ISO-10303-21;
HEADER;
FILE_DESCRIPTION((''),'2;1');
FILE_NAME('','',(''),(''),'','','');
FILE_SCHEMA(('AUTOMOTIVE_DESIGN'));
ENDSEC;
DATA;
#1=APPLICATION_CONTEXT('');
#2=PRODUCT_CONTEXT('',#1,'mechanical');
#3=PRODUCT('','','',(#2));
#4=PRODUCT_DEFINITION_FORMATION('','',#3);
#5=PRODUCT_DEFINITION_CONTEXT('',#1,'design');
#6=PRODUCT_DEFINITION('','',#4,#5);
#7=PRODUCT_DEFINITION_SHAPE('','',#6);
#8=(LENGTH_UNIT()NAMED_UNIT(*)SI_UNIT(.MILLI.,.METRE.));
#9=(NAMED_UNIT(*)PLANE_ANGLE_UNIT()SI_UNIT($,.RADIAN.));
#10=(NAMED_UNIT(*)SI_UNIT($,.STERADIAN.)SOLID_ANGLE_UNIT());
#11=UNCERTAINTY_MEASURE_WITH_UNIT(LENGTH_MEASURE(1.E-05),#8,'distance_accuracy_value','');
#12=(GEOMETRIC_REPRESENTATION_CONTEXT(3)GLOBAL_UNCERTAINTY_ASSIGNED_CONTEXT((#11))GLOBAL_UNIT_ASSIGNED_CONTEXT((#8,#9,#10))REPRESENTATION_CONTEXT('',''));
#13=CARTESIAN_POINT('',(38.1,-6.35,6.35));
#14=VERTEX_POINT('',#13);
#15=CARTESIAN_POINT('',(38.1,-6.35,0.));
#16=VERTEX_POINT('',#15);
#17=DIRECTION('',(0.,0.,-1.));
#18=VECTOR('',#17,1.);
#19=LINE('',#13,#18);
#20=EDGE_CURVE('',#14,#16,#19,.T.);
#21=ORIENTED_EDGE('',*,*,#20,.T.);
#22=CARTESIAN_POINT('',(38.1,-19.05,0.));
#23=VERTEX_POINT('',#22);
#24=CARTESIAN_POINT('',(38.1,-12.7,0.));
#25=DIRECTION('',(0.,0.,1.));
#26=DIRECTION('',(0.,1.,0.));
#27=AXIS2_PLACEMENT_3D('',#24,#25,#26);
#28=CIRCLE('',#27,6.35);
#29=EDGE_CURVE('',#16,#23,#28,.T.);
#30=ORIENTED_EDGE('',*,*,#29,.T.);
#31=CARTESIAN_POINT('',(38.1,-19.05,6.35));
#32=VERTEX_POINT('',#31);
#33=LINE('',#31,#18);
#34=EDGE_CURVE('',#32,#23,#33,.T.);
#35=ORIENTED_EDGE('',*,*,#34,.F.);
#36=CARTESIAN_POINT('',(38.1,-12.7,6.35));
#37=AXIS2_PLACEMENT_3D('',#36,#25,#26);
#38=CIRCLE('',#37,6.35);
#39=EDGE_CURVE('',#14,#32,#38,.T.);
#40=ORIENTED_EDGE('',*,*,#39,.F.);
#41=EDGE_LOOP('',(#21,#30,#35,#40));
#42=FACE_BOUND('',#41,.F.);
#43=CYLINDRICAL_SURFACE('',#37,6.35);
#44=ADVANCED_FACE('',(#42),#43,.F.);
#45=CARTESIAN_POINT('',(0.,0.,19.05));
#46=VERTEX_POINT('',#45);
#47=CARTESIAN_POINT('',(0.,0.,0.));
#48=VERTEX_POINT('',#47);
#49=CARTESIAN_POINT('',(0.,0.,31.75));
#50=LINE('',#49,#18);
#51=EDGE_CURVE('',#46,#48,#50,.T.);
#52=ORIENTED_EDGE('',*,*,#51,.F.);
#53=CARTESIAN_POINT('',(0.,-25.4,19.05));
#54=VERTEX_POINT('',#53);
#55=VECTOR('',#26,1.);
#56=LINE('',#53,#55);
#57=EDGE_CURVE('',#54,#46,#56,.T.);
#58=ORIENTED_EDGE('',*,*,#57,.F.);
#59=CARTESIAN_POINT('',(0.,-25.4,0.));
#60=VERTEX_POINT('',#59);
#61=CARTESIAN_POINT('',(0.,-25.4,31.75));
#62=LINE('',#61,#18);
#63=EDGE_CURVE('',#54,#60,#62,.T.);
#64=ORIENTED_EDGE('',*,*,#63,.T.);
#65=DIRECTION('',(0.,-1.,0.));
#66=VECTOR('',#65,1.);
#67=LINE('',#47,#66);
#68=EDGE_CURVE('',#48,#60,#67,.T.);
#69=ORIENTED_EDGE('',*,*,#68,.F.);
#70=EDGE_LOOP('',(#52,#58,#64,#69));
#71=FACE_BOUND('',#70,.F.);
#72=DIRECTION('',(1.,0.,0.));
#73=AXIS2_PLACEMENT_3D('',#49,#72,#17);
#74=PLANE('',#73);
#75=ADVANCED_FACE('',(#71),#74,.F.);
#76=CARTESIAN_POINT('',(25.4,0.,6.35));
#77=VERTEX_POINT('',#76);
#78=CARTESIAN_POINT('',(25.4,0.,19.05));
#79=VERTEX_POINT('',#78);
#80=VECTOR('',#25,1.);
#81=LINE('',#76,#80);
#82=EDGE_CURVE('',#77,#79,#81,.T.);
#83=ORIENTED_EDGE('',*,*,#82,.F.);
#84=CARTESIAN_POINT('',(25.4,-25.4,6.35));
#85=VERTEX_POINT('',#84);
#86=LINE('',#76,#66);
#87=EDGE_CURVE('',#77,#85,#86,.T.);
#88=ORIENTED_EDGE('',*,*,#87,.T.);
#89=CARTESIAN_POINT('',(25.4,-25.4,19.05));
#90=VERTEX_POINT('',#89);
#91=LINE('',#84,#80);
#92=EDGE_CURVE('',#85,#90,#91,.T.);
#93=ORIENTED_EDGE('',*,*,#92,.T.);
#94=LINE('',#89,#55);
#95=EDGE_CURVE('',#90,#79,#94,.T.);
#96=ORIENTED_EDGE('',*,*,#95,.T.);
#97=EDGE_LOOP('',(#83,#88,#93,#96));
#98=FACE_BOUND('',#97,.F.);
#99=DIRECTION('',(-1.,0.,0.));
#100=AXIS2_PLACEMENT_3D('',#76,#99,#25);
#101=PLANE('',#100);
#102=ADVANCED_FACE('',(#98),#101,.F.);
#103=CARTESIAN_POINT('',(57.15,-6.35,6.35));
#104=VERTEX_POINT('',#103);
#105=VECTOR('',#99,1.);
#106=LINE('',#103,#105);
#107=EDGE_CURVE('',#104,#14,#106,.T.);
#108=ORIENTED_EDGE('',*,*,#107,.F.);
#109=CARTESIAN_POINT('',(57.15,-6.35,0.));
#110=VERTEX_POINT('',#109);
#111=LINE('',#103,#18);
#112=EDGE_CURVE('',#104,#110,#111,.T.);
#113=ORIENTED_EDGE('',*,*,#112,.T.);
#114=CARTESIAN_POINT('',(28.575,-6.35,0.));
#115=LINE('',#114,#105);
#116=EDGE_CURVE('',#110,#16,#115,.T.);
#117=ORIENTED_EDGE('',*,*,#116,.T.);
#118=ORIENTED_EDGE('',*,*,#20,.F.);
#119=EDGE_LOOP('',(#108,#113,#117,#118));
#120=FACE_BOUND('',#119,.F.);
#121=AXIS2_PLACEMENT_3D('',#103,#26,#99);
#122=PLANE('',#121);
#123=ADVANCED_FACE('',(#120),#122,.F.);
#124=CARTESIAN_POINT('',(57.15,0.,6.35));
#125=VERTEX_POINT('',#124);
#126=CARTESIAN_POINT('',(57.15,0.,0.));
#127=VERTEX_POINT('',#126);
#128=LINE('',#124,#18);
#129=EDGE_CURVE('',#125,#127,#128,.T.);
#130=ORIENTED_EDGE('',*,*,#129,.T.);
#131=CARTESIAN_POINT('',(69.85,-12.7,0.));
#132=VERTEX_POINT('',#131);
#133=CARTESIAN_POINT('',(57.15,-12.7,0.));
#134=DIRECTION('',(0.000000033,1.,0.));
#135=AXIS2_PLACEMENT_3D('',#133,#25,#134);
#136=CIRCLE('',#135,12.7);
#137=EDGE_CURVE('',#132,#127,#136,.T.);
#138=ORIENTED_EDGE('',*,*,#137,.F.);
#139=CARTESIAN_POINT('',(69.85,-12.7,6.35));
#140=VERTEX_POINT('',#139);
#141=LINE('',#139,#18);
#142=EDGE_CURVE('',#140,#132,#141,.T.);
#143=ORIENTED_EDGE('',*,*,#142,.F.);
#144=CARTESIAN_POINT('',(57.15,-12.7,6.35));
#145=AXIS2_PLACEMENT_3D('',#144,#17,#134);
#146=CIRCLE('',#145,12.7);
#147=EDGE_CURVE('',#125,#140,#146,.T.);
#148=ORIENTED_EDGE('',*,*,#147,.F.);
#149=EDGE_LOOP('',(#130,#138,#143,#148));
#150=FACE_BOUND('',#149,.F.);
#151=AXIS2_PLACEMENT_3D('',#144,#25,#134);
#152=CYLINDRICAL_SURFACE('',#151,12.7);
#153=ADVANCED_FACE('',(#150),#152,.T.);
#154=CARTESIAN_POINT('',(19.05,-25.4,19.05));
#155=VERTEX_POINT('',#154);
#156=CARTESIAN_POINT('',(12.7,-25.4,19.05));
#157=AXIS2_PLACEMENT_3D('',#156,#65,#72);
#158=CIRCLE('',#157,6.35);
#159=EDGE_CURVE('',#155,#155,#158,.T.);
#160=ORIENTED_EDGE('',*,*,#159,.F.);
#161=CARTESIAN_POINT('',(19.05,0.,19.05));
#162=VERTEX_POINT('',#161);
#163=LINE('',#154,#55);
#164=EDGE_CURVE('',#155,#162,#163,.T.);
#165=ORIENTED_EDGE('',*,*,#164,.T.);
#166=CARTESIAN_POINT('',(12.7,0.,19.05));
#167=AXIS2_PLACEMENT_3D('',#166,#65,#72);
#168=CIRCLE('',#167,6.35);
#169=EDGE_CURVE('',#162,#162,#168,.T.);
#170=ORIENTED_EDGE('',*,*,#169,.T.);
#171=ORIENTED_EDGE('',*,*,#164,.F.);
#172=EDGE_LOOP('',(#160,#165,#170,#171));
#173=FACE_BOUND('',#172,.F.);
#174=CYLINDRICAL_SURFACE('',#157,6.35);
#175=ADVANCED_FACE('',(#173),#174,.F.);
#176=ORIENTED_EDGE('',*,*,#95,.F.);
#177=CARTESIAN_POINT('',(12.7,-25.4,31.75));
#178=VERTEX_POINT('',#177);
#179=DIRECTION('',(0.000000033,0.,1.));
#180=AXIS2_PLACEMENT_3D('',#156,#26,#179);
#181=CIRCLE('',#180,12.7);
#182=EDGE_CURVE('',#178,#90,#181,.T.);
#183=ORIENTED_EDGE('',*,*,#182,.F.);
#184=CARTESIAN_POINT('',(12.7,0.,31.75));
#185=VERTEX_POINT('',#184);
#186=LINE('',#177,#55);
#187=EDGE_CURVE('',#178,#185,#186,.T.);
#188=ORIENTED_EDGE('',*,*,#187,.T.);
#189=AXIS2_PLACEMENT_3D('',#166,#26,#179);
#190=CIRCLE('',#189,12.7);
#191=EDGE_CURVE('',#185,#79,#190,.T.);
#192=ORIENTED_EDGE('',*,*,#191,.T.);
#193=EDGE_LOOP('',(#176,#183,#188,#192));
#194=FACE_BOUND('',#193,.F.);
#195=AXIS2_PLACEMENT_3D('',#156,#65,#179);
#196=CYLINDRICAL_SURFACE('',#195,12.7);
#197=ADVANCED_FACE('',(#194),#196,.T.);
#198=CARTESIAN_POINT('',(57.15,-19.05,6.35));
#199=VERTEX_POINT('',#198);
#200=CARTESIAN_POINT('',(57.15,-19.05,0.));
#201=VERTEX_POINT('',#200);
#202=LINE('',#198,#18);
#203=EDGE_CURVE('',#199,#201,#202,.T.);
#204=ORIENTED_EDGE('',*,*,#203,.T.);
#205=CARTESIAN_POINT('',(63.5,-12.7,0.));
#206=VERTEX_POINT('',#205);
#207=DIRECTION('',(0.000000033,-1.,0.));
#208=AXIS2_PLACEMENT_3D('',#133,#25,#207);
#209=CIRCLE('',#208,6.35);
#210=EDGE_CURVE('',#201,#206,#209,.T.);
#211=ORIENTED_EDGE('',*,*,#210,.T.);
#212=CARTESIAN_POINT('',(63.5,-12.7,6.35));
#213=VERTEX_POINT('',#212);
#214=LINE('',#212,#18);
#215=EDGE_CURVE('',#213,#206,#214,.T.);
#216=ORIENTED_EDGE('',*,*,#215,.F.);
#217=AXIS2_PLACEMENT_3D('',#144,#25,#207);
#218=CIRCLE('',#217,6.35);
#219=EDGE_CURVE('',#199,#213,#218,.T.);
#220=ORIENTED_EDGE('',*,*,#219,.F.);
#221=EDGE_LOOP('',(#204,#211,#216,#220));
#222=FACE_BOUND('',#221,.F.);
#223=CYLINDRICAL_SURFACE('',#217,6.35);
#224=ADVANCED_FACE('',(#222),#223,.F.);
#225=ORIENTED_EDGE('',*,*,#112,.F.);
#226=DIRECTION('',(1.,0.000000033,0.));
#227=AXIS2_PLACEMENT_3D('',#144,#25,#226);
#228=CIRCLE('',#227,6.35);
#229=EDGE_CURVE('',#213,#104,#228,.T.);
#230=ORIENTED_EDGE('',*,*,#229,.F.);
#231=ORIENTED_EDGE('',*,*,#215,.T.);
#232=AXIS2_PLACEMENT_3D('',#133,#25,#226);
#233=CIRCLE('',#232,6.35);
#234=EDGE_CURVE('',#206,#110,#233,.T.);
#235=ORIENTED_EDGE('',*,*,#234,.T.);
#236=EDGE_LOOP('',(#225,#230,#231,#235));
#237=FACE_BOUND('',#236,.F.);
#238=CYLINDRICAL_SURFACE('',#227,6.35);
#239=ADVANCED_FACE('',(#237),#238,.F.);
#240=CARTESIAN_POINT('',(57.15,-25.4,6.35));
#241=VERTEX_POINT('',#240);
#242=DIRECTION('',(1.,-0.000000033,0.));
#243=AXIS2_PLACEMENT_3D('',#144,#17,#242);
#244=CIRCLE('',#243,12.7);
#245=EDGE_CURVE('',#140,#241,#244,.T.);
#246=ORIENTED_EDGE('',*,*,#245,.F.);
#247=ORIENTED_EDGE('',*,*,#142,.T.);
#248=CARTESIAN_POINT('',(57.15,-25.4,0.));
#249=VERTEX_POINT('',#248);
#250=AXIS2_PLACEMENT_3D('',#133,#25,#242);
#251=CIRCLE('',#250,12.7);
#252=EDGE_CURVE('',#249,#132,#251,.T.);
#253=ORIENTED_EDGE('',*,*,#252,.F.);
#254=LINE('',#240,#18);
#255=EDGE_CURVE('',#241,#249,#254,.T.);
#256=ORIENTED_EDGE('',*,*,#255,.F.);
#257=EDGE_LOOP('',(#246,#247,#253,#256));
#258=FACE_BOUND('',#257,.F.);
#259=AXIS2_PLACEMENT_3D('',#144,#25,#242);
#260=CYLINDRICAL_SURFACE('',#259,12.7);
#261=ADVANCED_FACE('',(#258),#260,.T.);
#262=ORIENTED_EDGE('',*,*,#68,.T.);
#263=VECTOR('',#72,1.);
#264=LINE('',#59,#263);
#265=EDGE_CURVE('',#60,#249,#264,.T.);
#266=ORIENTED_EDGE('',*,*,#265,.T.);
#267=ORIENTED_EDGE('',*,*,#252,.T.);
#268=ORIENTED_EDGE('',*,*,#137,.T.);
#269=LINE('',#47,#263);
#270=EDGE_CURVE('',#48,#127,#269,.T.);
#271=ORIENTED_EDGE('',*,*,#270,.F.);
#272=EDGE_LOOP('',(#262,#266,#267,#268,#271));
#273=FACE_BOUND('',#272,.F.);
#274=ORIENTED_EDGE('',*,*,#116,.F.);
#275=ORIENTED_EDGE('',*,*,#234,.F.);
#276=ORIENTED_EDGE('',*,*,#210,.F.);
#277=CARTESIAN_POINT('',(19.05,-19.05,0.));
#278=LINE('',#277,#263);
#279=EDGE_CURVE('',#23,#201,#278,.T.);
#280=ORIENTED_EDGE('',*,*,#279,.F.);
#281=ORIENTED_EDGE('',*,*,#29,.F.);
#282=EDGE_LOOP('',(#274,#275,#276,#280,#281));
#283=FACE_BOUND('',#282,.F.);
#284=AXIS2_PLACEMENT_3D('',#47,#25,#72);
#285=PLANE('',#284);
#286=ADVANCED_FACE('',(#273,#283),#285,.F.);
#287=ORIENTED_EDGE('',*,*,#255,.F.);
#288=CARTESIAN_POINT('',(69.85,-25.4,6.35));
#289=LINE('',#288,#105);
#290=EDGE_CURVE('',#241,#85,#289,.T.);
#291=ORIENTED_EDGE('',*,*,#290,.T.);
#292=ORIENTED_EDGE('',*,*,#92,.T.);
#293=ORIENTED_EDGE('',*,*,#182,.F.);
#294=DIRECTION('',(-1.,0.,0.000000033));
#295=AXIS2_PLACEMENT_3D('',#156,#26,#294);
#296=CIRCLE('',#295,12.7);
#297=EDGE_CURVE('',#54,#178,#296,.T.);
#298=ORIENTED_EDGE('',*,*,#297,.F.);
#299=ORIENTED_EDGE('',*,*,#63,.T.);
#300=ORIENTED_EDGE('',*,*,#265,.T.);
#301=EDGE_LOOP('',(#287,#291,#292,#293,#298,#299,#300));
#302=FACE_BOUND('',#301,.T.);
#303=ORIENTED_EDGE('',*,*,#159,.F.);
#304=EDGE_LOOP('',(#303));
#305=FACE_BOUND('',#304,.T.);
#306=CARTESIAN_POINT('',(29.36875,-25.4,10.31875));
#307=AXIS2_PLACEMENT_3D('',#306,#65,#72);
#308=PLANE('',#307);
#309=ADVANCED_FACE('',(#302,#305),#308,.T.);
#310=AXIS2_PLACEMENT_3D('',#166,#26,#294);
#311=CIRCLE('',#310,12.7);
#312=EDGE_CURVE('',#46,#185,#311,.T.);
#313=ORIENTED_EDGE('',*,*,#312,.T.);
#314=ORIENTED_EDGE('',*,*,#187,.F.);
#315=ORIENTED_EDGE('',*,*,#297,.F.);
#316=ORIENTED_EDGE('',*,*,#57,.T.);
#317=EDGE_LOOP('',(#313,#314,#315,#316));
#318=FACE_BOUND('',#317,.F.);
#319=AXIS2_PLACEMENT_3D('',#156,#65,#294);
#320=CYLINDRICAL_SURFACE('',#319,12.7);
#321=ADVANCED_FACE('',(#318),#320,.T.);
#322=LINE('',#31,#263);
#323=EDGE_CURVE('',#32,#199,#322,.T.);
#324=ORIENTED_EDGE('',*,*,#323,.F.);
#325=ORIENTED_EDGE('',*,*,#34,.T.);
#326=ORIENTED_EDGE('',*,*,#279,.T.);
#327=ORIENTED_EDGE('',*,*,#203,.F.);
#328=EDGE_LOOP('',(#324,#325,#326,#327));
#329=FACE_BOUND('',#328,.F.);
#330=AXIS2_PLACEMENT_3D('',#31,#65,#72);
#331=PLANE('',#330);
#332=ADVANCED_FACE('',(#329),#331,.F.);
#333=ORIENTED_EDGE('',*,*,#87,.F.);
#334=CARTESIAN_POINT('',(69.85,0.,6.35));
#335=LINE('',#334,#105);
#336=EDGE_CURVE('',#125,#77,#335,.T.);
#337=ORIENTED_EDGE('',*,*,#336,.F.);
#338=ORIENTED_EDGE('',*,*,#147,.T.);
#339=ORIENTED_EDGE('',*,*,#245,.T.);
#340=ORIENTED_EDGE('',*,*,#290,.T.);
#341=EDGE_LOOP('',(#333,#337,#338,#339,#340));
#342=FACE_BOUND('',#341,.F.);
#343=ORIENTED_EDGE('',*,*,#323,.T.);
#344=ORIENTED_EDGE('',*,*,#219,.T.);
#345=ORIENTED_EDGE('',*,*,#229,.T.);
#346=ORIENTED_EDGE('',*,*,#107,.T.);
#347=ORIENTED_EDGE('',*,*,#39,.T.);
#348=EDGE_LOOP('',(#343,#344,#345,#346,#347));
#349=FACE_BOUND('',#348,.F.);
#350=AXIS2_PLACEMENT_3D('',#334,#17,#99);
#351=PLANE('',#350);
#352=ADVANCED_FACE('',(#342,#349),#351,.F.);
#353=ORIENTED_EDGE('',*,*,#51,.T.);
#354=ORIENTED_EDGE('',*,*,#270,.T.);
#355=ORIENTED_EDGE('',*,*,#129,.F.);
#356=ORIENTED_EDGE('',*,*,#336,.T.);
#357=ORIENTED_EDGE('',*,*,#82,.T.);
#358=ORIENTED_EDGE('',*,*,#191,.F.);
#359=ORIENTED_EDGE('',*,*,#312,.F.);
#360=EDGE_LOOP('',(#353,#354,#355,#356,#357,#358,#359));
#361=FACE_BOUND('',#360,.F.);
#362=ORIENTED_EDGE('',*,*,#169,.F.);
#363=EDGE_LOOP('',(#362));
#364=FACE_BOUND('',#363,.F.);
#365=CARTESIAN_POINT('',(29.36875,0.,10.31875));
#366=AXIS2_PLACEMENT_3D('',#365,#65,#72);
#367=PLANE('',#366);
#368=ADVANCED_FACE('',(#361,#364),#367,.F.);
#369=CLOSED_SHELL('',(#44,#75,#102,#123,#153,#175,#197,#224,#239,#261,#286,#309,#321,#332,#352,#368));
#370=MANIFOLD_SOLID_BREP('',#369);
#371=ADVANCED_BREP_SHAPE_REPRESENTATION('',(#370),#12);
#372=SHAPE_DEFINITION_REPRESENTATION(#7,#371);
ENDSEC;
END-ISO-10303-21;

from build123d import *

# Parameters (mm, degrees)
F1_DEPTH = 25.4
F2_R     = 6.35
F3_DEPTH = 25.4
F5_DEPTH = 12.7


with BuildPart() as f1:
    # F0 (on Front) → F1 (new body)
    with BuildSketch(Plane.XZ):
        Polygon((0, 31.75), (0, 0), (69.85, 0), (69.85, 6.35), (25.4, 6.35), (25.4, 31.75), align=None)
    extrude(amount=F1_DEPTH)

    # F2 (on face) → F3 (cut)
    with BuildSketch(Plane.XZ.offset(25.4)):
        with BuildLine():
            ThreePointArc((0, 19.05), (3.719744, 28.030256), (12.7, 31.75))
            Line((12.7, 31.75), (0, 31.75))
            Line((0, 31.75), (0, 19.05))
        make_face()
        with BuildLine():
            ThreePointArc((12.7, 31.75), (21.680256, 28.030256), (25.4, 19.05))
            Line((25.4, 19.05), (25.4, 31.75))
            Line((25.4, 31.75), (12.7, 31.75))
        make_face()
        with Locations((12.7, 19.05)):
            Circle(F2_R)
    extrude(amount=-F3_DEPTH, mode=Mode.SUBTRACT)

    # F4 (on face) → F5 (cut)
    with BuildSketch(Plane.XY.offset(6.35)):
        with BuildLine():
            Line((38.1, -12.7), (38.1, -6.35))
            ThreePointArc((38.1, -6.35), (31.75, -12.7), (38.1, -19.05))
            Line((38.1, -19.05), (38.1, -12.7))
        make_face()
        with BuildLine():
            ThreePointArc((44.45, -12.7), (42.590128, -8.209872), (38.1, -6.35))
            Line((38.1, -6.35), (38.1, -12.7))
            Line((38.1, -12.7), (38.1, -19.05))
            ThreePointArc((38.1, -19.05), (42.590128, -17.190128), (44.45, -12.7))
        make_face()
        with BuildLine():
            ThreePointArc((57.15, -19.05), (50.8, -12.7), (57.15, -6.35))
            Line((57.15, -6.35), (38.1, -6.35))
            ThreePointArc((38.1, -6.35), (42.590128, -8.209872), (44.45, -12.7))
            ThreePointArc((44.45, -12.7), (42.590128, -17.190128), (38.1, -19.05))
            Line((38.1, -19.05), (57.15, -19.05))
        make_face()
        with BuildLine():
            ThreePointArc((57.15, 0), (66.130256, -3.719744), (69.85, -12.7))
            Line((69.85, -12.7), (69.85, 0))
            Line((69.85, 0), (57.15, 0))
        make_face()
        with BuildLine():
            ThreePointArc((69.85, -12.7), (66.130256, -21.680256), (57.15, -25.4))
            Line((57.15, -25.4), (69.85, -25.4))
            Line((69.85, -25.4), (69.85, -12.7))
        make_face()
        with BuildLine():
            ThreePointArc((57.15, -19.05), (61.640128, -17.190128), (63.5, -12.7))
            ThreePointArc((63.5, -12.7), (61.640128, -8.209872), (57.15, -6.35))
            Line((57.15, -6.35), (57.15, -19.05))
        make_face()
        with BuildLine():
            Line((57.15, -19.05), (57.15, -6.35))
            ThreePointArc((57.15, -6.35), (50.8, -12.7), (57.15, -19.05))
        make_face()
    extrude(amount=-F5_DEPTH, mode=Mode.SUBTRACT)


solid = f1.part
